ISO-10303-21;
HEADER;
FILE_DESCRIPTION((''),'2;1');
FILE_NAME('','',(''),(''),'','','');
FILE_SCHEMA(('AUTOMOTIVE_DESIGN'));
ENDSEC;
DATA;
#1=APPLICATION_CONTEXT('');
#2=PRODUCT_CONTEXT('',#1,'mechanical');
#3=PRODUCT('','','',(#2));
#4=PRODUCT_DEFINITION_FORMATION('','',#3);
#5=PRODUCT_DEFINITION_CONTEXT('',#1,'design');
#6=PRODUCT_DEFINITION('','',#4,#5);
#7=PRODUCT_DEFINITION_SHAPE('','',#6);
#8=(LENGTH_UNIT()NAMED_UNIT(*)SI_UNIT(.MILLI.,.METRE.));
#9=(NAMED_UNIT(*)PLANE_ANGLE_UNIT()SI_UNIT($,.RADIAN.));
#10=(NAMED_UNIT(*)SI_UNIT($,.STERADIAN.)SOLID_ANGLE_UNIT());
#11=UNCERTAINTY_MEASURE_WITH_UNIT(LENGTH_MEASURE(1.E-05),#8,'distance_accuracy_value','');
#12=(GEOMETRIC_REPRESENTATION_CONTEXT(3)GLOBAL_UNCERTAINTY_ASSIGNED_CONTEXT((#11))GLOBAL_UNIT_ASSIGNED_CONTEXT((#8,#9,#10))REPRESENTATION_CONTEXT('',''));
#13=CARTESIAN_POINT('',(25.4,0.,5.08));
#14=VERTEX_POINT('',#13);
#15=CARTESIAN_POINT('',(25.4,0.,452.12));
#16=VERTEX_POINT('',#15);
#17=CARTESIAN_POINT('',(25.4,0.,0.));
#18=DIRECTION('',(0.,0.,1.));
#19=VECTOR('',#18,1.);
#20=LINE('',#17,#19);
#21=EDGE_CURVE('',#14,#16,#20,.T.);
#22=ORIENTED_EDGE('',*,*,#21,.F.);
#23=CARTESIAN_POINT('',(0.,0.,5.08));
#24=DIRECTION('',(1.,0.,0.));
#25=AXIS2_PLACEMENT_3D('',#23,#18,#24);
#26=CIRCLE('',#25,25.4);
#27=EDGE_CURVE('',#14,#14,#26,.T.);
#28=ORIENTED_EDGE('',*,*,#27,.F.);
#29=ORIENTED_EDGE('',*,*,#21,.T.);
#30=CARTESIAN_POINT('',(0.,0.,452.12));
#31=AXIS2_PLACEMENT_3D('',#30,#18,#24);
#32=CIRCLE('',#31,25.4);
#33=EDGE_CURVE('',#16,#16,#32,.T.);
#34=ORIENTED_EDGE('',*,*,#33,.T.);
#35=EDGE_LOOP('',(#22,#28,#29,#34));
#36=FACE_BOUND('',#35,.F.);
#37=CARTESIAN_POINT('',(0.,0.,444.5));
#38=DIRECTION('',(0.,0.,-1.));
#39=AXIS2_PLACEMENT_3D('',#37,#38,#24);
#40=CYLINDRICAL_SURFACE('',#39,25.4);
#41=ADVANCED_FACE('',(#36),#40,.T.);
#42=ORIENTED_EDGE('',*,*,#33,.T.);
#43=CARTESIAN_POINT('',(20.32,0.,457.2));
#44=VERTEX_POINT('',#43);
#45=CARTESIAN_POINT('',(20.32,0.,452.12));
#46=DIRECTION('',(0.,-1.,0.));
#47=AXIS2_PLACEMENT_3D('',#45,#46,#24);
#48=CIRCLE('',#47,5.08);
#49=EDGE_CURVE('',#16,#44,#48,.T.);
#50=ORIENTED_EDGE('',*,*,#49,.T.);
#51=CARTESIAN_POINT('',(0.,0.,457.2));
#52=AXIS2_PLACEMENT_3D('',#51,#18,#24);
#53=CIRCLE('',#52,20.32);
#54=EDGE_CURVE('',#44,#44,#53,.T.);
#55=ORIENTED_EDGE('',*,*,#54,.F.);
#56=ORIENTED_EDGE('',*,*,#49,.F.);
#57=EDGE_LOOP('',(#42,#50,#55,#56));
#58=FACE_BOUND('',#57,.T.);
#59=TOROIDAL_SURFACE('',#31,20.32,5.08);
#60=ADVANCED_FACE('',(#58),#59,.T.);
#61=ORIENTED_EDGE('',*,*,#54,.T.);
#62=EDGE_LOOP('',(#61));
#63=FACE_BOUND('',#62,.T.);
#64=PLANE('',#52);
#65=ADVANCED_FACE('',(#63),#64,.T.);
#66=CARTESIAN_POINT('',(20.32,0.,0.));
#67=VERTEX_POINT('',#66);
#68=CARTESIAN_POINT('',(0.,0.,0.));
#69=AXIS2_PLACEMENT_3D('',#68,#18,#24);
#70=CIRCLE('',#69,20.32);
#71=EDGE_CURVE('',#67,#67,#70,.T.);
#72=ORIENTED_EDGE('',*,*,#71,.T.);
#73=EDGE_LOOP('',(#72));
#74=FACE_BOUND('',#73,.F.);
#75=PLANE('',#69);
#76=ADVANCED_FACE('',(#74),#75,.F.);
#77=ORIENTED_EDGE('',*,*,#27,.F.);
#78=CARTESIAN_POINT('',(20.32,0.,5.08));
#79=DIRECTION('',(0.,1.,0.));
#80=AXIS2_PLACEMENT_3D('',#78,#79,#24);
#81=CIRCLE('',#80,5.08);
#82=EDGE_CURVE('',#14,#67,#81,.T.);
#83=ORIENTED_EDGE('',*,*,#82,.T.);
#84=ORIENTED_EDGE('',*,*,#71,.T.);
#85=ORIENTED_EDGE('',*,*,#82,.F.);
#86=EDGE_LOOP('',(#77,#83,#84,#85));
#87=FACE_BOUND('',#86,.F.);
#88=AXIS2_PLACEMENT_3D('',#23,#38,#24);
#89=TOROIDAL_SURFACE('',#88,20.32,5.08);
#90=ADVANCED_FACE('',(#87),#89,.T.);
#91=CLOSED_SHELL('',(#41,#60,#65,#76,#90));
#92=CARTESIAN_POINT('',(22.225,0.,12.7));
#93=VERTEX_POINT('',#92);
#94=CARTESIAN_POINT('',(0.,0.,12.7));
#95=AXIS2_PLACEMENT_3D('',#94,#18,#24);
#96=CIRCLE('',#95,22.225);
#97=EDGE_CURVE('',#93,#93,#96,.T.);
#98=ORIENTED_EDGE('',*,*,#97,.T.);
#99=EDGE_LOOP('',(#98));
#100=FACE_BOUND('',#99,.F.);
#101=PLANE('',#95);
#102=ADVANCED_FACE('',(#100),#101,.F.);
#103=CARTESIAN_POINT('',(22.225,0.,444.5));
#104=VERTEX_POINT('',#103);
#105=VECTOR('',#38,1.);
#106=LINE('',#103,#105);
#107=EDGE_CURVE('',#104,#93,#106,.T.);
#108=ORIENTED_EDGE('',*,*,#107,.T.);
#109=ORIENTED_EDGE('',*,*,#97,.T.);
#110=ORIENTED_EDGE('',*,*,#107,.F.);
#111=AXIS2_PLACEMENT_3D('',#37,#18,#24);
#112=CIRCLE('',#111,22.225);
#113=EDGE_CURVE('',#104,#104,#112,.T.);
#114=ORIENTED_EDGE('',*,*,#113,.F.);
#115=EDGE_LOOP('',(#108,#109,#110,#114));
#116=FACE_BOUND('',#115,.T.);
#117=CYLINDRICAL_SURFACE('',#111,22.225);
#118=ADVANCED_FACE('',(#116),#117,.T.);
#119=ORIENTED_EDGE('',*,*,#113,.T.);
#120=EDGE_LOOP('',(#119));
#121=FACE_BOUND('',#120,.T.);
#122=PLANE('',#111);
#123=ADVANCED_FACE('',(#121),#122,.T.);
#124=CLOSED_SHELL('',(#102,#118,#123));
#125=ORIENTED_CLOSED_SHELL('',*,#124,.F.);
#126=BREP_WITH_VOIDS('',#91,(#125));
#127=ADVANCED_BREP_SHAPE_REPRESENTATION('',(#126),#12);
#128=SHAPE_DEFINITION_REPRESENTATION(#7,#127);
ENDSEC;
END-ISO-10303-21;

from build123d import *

# Parameters (mm, degrees)
F0_R     = 25.4
F1_DEPTH = 444.5
F2_R     = 22.225
F3_DEPTH = 431.8
F4_R     = 25.4
F5_DEPTH = 12.7
F6_R     = 5.08
F7_R     = 5.08


with BuildPart() as f1:
    # F0 (on Top) → F1 (new body)
    with BuildSketch(Plane.XY):
        Circle(F0_R)
    extrude(amount=F1_DEPTH)

    # F2 (on face) → F3 (cut)
    with BuildSketch(Plane.XY.offset(444.5)):
        Circle(F2_R)
    extrude(amount=-F3_DEPTH, mode=Mode.SUBTRACT)

    # F4 (on face) → F5 (join)
    with BuildSketch(Plane.XY.offset(444.5)):
        Circle(F4_R)
    extrude(amount=F5_DEPTH)

    # F6
    f6_edges = [f1.edges().sort_by_distance(p)[0] for p in [
        (-25.4, 0, 457.2),
    ]]
    fillet(f6_edges, radius=F6_R)

    # F7
    f7_edges = [f1.edges().sort_by_distance(p)[0] for p in [
        (-25.4, 0, 0),
    ]]
    fillet(f7_edges, radius=F7_R)


solid = f1.part
